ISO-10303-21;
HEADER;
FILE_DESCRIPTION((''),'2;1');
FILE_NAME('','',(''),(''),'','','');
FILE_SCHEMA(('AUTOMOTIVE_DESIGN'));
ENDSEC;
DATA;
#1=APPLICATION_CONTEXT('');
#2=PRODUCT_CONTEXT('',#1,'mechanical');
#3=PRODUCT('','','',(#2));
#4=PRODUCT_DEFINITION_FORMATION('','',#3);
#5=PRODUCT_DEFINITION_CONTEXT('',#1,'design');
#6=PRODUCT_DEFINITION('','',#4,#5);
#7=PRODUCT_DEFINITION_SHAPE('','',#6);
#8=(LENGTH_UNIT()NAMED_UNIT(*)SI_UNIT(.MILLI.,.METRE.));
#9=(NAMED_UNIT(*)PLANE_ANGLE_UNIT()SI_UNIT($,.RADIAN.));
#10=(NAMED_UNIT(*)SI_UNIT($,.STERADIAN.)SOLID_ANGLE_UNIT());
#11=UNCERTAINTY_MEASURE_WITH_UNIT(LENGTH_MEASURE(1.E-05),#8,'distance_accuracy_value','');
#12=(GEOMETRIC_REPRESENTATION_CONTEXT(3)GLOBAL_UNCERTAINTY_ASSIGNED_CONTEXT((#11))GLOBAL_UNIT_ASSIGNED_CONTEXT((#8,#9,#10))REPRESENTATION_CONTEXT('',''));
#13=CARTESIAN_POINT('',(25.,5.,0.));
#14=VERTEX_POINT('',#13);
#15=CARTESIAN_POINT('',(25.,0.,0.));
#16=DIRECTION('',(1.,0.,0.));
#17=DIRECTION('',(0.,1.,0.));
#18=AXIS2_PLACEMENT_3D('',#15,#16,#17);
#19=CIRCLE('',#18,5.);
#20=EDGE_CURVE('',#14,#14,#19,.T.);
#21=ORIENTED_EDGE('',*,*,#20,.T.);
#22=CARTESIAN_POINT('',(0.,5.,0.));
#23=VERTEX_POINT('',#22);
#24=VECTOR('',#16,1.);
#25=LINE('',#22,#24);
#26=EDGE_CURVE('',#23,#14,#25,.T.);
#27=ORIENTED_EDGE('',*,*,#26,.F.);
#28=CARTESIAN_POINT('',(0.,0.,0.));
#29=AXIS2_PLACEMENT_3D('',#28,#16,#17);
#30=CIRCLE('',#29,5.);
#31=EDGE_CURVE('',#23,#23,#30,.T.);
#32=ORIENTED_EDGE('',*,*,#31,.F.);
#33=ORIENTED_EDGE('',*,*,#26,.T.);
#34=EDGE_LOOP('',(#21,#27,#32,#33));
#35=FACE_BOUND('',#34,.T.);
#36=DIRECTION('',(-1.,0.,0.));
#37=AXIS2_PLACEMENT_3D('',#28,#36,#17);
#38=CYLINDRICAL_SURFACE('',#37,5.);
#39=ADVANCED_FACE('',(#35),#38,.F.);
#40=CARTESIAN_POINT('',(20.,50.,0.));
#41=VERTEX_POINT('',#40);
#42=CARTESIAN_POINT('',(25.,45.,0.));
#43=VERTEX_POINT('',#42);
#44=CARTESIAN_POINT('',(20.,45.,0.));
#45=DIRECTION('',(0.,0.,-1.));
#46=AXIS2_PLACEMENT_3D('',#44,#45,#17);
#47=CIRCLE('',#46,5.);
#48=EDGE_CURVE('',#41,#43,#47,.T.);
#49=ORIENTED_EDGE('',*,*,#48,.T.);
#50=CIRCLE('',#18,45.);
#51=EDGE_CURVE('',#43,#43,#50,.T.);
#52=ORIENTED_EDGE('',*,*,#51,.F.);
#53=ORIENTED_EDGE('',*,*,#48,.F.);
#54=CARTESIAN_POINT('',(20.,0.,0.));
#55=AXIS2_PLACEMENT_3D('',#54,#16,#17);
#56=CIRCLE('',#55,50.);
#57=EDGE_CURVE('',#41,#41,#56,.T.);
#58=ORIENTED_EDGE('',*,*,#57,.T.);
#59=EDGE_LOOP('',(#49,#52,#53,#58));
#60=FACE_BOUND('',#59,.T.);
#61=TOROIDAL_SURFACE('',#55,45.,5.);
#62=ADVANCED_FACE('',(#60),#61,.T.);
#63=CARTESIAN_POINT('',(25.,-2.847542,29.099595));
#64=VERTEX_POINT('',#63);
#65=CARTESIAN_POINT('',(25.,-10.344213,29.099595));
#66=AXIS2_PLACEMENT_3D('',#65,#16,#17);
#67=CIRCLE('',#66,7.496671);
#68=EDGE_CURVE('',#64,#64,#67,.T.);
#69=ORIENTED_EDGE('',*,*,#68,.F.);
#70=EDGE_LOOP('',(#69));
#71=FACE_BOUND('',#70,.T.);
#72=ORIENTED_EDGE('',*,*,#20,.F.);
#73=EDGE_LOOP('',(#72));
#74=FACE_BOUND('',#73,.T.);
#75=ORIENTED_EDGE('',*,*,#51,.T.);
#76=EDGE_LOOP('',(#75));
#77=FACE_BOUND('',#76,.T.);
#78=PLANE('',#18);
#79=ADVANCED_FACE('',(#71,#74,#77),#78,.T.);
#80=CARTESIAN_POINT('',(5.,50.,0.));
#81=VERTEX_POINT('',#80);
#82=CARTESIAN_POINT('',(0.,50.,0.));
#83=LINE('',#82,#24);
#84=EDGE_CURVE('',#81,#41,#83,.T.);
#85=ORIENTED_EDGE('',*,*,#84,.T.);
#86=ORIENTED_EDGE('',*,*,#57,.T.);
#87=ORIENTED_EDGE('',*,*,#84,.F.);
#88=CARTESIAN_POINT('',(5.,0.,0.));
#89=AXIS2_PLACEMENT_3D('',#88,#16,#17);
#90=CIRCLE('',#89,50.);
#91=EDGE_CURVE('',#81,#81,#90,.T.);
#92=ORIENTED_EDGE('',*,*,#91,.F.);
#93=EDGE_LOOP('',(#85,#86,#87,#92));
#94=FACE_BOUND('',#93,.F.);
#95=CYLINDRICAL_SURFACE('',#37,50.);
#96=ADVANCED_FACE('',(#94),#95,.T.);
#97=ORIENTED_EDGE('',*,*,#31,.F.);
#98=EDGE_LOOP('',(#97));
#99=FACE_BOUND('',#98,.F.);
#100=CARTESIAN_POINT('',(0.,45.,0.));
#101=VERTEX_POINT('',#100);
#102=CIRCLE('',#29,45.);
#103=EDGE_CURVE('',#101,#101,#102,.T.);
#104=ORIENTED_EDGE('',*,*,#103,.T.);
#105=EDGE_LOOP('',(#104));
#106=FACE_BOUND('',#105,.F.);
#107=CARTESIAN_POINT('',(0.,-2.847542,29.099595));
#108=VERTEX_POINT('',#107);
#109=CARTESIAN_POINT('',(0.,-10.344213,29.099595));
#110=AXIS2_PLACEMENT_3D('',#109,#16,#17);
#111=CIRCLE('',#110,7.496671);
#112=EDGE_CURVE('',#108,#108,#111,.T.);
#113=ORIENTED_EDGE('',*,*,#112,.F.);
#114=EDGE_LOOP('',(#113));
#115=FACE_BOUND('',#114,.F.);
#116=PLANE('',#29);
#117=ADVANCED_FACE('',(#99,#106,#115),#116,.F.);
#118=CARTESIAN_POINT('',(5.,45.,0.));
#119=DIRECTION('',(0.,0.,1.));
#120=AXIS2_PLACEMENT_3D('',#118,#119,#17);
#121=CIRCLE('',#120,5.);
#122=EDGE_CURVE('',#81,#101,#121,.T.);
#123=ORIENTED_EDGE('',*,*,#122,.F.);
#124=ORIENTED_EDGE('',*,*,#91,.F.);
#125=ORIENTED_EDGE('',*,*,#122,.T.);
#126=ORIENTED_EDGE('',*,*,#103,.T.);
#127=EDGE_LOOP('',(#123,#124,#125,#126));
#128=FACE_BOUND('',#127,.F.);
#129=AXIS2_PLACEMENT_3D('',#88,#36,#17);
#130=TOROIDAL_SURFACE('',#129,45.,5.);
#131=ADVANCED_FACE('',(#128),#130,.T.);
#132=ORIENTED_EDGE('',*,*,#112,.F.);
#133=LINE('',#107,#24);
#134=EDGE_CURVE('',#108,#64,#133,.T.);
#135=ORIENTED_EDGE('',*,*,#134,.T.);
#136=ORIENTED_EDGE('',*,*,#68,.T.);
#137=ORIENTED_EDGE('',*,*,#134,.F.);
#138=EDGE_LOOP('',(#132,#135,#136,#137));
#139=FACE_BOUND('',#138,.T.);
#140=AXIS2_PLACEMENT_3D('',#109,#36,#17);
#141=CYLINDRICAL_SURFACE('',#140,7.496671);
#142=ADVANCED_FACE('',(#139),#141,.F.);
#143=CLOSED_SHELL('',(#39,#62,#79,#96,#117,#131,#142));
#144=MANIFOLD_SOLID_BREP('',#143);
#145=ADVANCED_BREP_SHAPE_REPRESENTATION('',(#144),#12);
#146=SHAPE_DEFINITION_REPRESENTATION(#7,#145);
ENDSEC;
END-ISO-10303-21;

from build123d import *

# Parameters (mm, degrees)
F0_R     = 50
F0_R_2   = 7.496671
F0_R_3   = 5
F1_DEPTH = 25
F2_R     = 5


with BuildPart() as f1:
    # F0 (on Right) → F1 (new body)
    with BuildSketch(Plane.YZ):
        Circle(F0_R)
        with Locations((-10.344213, 29.099595)):
            Circle(F0_R_2, mode=Mode.SUBTRACT)
        Circle(F0_R_3, mode=Mode.SUBTRACT)
    extrude(amount=F1_DEPTH)

    # F2
    f2_edges = [f1.edges().sort_by_distance(p)[0] for p in [
        (25, -50, 0),
        (0, -50, 0),
    ]]
    fillet(f2_edges, radius=F2_R)


solid = f1.part
